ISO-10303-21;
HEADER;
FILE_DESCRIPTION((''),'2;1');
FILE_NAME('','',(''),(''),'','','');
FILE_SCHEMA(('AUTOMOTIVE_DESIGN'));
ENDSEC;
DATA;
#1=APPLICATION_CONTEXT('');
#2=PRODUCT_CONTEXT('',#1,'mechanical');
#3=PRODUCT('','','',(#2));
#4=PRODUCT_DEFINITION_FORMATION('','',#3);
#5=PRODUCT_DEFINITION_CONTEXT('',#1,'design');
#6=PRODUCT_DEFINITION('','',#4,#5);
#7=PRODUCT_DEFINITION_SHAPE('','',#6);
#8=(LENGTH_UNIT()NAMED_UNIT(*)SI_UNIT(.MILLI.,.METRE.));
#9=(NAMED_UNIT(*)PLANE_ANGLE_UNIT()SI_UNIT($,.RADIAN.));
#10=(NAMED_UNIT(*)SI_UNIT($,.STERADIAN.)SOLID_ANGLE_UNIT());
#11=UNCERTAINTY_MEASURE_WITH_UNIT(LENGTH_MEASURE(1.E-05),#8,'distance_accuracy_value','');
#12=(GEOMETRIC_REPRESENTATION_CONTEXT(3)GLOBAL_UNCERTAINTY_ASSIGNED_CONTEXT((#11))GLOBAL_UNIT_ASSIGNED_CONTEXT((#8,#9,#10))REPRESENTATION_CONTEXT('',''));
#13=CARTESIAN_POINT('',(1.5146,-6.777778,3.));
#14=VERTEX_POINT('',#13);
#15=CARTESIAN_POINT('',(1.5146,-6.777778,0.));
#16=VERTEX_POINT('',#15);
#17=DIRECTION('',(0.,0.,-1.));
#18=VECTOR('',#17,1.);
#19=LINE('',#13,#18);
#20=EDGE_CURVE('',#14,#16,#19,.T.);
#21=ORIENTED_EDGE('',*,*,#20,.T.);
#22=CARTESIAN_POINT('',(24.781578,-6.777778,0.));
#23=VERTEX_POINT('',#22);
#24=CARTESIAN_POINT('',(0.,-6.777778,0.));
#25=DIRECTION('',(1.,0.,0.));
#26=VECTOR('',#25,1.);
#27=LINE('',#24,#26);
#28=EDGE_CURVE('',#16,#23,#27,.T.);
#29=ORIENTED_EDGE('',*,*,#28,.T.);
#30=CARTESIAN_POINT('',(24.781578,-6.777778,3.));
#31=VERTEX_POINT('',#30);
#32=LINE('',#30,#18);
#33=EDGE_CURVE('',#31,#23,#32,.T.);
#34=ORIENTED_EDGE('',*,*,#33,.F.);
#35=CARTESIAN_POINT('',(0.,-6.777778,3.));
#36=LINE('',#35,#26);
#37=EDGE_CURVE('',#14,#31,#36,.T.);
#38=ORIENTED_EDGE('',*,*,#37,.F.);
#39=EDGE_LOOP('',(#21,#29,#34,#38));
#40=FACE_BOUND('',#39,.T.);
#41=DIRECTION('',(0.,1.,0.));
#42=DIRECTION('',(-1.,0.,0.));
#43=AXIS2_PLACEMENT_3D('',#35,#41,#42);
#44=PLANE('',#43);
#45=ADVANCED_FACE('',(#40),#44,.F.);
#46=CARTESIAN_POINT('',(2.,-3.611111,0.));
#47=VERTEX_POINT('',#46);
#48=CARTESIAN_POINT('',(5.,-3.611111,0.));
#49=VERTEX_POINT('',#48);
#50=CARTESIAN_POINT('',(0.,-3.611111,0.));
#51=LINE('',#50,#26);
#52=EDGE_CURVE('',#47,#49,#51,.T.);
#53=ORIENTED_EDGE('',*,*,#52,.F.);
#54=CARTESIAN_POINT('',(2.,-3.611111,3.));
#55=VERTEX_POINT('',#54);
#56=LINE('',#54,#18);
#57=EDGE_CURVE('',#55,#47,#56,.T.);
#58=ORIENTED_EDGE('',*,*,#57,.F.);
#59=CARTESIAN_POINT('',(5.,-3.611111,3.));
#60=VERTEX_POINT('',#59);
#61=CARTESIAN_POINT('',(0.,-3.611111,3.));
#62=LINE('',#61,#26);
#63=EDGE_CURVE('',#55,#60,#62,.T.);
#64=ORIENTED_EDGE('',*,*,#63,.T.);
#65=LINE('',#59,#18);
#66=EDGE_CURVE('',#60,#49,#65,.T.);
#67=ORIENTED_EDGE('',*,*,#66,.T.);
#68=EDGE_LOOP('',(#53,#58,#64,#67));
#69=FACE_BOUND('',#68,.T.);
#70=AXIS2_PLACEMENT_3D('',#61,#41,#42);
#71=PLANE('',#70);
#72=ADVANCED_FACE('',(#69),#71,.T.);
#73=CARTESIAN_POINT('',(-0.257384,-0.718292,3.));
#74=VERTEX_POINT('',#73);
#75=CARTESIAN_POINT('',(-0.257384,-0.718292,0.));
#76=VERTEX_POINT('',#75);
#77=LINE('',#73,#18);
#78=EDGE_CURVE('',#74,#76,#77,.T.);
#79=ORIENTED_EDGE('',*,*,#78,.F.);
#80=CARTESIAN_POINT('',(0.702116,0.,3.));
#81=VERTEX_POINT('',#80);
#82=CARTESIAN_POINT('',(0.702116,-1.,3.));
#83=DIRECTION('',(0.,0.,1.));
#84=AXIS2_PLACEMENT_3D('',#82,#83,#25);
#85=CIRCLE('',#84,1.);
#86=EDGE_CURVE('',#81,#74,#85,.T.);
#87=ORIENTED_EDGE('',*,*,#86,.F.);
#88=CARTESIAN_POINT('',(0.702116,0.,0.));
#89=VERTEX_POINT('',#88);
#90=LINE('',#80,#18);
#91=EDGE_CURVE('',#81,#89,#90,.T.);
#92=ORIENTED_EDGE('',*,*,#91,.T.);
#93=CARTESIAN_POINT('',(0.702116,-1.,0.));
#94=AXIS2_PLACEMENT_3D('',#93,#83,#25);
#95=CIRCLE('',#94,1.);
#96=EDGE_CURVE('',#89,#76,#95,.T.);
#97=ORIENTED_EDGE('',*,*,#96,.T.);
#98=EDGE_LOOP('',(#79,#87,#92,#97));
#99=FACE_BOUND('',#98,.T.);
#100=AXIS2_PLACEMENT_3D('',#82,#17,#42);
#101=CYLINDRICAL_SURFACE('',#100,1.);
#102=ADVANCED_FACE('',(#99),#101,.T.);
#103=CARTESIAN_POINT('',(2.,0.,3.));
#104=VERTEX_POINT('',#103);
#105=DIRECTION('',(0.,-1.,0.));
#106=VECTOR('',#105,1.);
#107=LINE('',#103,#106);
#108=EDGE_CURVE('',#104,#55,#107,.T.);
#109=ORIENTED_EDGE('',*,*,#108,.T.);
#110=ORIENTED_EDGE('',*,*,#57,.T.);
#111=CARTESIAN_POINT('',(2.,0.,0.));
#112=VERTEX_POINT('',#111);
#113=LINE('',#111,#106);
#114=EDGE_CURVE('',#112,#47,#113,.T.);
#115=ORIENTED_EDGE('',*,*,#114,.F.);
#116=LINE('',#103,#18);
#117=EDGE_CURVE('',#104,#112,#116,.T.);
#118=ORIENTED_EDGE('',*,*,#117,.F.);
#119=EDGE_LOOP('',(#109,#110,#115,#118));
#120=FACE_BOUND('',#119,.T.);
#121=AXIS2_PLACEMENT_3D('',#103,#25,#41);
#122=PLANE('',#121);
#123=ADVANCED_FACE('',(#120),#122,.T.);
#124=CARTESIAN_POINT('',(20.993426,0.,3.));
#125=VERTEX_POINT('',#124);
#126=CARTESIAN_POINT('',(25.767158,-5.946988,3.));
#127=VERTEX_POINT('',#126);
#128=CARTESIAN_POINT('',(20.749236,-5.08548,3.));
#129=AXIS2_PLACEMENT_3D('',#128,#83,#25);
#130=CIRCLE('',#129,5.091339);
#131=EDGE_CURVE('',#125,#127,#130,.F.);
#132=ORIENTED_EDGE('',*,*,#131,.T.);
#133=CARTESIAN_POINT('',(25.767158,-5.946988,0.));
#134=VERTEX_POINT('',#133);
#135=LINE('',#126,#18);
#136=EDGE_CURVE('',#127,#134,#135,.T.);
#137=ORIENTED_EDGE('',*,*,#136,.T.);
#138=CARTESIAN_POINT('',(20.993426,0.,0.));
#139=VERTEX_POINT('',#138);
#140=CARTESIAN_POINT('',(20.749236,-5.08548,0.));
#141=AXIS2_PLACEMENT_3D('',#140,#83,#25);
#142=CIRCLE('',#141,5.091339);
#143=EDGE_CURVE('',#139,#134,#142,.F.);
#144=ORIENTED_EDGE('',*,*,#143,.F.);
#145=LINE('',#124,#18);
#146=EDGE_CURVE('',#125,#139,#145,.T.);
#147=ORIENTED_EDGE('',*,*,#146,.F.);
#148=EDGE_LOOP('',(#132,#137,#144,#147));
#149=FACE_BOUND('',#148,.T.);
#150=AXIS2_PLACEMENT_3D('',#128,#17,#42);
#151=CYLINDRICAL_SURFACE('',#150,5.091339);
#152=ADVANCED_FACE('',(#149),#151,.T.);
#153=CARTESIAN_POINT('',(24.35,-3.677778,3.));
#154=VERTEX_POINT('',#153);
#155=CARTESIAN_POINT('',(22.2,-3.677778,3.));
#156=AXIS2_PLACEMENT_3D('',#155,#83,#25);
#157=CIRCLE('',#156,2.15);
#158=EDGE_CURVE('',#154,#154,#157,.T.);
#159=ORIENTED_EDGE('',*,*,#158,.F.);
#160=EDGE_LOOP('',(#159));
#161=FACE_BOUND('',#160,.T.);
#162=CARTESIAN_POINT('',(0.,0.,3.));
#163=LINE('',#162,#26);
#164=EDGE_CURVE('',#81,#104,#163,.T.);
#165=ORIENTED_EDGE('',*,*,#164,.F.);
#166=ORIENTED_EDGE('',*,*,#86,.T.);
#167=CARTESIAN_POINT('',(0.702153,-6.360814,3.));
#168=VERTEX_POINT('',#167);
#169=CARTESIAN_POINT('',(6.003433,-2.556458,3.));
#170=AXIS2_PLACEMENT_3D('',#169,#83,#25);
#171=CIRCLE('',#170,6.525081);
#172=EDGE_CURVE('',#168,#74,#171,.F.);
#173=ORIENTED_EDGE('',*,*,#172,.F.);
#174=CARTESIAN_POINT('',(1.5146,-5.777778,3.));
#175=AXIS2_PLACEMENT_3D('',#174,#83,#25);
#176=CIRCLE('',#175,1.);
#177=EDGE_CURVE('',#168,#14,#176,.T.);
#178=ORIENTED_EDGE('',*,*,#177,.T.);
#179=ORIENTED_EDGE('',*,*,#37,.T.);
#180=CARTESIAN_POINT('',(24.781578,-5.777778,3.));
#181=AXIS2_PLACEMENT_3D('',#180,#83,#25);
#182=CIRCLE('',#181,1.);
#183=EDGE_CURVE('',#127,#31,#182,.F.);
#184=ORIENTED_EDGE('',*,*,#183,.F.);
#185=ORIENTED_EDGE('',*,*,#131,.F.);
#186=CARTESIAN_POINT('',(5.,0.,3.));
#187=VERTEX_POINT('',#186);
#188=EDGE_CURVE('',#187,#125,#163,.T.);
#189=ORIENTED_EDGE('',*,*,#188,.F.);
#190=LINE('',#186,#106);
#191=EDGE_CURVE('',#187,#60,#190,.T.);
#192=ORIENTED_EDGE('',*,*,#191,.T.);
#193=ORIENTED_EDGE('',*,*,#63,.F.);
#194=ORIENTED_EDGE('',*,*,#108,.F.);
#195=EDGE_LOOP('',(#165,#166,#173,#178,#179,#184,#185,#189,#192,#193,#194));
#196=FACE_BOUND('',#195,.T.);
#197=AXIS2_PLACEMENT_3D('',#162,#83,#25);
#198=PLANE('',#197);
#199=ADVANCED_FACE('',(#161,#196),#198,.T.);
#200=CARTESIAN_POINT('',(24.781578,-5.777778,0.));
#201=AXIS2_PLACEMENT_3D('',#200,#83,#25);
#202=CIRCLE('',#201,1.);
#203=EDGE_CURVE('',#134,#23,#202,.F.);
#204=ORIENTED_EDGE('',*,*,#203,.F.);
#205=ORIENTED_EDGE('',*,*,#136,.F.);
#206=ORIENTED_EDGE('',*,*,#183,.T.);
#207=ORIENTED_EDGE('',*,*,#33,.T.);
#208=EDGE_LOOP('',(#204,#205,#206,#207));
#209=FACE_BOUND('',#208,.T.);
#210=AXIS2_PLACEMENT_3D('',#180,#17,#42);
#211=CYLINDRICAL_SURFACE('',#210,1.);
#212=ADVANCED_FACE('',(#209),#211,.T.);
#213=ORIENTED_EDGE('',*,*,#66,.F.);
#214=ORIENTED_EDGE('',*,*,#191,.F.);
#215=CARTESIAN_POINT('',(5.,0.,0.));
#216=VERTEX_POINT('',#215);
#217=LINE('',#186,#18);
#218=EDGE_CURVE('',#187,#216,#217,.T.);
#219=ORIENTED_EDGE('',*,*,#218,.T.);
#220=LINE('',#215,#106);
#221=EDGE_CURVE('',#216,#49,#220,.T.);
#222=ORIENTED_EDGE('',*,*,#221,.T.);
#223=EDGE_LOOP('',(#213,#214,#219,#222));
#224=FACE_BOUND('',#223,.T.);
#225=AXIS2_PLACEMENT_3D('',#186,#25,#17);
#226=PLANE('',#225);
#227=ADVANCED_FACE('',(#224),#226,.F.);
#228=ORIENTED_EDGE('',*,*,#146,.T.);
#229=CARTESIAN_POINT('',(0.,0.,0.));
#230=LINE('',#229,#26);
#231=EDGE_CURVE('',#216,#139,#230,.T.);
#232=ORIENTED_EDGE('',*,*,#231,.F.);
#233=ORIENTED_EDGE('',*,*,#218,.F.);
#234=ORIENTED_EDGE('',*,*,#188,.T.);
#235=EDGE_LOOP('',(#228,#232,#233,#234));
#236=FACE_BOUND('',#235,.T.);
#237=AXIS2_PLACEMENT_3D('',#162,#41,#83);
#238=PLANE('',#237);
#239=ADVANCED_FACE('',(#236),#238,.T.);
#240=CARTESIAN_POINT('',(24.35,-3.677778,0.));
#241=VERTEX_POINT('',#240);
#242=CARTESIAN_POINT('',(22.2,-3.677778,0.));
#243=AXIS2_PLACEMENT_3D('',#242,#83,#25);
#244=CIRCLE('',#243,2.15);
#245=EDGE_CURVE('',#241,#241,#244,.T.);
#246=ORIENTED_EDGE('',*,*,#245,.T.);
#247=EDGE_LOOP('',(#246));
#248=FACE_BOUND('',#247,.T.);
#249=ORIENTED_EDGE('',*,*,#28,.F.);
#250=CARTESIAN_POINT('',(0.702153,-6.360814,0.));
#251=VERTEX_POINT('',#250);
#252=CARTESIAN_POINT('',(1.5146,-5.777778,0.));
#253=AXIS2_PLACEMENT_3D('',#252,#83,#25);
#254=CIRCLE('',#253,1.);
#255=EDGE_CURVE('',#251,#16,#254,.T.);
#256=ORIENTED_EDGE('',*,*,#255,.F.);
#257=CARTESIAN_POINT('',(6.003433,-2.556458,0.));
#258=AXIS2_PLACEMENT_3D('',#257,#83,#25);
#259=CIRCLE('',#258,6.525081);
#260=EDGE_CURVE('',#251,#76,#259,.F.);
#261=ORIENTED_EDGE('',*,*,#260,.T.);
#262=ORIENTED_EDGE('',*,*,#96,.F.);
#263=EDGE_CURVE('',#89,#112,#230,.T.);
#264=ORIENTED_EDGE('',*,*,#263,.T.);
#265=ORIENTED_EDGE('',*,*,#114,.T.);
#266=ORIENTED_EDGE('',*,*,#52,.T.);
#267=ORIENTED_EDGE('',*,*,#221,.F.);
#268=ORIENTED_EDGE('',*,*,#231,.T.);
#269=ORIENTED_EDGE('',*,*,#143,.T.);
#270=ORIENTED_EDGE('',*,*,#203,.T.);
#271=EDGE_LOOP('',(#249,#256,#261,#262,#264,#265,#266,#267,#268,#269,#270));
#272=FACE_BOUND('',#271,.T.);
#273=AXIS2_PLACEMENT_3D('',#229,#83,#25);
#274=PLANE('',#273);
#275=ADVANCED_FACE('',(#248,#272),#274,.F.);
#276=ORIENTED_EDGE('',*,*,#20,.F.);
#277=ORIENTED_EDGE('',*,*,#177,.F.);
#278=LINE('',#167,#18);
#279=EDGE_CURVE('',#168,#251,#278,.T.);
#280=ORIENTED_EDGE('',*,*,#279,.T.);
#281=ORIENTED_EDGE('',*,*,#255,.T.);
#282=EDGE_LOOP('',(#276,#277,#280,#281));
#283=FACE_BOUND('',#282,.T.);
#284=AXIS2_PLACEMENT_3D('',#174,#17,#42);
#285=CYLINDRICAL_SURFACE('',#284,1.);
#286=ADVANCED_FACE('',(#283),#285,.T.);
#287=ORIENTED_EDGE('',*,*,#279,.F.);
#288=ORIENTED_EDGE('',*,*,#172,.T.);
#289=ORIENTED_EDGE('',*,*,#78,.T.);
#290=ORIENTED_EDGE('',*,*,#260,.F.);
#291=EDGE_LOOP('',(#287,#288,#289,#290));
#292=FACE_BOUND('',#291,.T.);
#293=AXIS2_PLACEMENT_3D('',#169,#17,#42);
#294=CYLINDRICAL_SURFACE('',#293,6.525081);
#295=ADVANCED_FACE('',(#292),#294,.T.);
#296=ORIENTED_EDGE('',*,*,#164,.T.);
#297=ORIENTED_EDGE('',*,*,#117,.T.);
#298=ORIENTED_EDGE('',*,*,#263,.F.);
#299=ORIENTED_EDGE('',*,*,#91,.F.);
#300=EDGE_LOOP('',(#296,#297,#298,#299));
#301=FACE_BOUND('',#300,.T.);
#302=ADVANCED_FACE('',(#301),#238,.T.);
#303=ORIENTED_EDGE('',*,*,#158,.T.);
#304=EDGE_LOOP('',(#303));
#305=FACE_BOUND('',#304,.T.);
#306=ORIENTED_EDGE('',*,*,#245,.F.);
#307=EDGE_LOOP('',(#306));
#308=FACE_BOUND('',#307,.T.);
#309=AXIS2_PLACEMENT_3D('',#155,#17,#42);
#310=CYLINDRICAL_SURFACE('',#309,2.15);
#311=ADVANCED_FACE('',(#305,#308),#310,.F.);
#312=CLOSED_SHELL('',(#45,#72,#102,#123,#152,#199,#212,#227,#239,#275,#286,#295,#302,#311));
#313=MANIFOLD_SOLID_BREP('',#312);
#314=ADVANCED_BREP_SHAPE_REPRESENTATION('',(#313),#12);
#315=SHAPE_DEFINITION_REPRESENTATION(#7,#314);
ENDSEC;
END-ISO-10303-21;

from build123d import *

# Parameters (mm, degrees)
SKETCH2_R           = 2.15
BOSS_EXTRUDE1_DEPTH = 3


with BuildPart() as part:
    # Sketch2 → Boss-Extrude1 (new body)
    with BuildSketch(Plane.XY):
        with BuildLine():
            Line((20.505045688, 0), (5, 0))
            Line((5, 0), (5, -3.611111111))
            Line((5, -3.611111111), (2, -3.611111111))
            Line((2, -3.611111111), (2, 0))
            Line((2, 0), (0.702116043, 0))
            ThreePointArc((0.702116043, 0), (0.102828022, -0.199466511), (-0.257384219, -0.718292266))
            ThreePointArc((-0.257384219, -0.718292266), (-0.42929832, -3.650374688), (0.70215346, -6.36081352))
            ThreePointArc((0.70215346, -6.36081352), (1.058001533, -6.667450679), (1.514599965, -6.777777778))
            Line((1.514599965, -6.777777778), (22.805555556, -6.777777778))
            Line((22.805555556, -6.777777778), (24.781577826, -6.777777778))
            ThreePointArc((24.781577826, -6.777777778), (25.426089078, -6.542372603), (25.767157761, -5.94698827))
            ThreePointArc((25.767157761, -5.94698827), (24.71964165, -1.898378941), (20.993425754, 0))
            Line((20.993425754, 0), (20.505045688, 0))
        make_face()
        with Locations((22.2, -3.677777778)):
            Circle(SKETCH2_R, mode=Mode.SUBTRACT)
    extrude(amount=BOSS_EXTRUDE1_DEPTH)


solid = part.part
